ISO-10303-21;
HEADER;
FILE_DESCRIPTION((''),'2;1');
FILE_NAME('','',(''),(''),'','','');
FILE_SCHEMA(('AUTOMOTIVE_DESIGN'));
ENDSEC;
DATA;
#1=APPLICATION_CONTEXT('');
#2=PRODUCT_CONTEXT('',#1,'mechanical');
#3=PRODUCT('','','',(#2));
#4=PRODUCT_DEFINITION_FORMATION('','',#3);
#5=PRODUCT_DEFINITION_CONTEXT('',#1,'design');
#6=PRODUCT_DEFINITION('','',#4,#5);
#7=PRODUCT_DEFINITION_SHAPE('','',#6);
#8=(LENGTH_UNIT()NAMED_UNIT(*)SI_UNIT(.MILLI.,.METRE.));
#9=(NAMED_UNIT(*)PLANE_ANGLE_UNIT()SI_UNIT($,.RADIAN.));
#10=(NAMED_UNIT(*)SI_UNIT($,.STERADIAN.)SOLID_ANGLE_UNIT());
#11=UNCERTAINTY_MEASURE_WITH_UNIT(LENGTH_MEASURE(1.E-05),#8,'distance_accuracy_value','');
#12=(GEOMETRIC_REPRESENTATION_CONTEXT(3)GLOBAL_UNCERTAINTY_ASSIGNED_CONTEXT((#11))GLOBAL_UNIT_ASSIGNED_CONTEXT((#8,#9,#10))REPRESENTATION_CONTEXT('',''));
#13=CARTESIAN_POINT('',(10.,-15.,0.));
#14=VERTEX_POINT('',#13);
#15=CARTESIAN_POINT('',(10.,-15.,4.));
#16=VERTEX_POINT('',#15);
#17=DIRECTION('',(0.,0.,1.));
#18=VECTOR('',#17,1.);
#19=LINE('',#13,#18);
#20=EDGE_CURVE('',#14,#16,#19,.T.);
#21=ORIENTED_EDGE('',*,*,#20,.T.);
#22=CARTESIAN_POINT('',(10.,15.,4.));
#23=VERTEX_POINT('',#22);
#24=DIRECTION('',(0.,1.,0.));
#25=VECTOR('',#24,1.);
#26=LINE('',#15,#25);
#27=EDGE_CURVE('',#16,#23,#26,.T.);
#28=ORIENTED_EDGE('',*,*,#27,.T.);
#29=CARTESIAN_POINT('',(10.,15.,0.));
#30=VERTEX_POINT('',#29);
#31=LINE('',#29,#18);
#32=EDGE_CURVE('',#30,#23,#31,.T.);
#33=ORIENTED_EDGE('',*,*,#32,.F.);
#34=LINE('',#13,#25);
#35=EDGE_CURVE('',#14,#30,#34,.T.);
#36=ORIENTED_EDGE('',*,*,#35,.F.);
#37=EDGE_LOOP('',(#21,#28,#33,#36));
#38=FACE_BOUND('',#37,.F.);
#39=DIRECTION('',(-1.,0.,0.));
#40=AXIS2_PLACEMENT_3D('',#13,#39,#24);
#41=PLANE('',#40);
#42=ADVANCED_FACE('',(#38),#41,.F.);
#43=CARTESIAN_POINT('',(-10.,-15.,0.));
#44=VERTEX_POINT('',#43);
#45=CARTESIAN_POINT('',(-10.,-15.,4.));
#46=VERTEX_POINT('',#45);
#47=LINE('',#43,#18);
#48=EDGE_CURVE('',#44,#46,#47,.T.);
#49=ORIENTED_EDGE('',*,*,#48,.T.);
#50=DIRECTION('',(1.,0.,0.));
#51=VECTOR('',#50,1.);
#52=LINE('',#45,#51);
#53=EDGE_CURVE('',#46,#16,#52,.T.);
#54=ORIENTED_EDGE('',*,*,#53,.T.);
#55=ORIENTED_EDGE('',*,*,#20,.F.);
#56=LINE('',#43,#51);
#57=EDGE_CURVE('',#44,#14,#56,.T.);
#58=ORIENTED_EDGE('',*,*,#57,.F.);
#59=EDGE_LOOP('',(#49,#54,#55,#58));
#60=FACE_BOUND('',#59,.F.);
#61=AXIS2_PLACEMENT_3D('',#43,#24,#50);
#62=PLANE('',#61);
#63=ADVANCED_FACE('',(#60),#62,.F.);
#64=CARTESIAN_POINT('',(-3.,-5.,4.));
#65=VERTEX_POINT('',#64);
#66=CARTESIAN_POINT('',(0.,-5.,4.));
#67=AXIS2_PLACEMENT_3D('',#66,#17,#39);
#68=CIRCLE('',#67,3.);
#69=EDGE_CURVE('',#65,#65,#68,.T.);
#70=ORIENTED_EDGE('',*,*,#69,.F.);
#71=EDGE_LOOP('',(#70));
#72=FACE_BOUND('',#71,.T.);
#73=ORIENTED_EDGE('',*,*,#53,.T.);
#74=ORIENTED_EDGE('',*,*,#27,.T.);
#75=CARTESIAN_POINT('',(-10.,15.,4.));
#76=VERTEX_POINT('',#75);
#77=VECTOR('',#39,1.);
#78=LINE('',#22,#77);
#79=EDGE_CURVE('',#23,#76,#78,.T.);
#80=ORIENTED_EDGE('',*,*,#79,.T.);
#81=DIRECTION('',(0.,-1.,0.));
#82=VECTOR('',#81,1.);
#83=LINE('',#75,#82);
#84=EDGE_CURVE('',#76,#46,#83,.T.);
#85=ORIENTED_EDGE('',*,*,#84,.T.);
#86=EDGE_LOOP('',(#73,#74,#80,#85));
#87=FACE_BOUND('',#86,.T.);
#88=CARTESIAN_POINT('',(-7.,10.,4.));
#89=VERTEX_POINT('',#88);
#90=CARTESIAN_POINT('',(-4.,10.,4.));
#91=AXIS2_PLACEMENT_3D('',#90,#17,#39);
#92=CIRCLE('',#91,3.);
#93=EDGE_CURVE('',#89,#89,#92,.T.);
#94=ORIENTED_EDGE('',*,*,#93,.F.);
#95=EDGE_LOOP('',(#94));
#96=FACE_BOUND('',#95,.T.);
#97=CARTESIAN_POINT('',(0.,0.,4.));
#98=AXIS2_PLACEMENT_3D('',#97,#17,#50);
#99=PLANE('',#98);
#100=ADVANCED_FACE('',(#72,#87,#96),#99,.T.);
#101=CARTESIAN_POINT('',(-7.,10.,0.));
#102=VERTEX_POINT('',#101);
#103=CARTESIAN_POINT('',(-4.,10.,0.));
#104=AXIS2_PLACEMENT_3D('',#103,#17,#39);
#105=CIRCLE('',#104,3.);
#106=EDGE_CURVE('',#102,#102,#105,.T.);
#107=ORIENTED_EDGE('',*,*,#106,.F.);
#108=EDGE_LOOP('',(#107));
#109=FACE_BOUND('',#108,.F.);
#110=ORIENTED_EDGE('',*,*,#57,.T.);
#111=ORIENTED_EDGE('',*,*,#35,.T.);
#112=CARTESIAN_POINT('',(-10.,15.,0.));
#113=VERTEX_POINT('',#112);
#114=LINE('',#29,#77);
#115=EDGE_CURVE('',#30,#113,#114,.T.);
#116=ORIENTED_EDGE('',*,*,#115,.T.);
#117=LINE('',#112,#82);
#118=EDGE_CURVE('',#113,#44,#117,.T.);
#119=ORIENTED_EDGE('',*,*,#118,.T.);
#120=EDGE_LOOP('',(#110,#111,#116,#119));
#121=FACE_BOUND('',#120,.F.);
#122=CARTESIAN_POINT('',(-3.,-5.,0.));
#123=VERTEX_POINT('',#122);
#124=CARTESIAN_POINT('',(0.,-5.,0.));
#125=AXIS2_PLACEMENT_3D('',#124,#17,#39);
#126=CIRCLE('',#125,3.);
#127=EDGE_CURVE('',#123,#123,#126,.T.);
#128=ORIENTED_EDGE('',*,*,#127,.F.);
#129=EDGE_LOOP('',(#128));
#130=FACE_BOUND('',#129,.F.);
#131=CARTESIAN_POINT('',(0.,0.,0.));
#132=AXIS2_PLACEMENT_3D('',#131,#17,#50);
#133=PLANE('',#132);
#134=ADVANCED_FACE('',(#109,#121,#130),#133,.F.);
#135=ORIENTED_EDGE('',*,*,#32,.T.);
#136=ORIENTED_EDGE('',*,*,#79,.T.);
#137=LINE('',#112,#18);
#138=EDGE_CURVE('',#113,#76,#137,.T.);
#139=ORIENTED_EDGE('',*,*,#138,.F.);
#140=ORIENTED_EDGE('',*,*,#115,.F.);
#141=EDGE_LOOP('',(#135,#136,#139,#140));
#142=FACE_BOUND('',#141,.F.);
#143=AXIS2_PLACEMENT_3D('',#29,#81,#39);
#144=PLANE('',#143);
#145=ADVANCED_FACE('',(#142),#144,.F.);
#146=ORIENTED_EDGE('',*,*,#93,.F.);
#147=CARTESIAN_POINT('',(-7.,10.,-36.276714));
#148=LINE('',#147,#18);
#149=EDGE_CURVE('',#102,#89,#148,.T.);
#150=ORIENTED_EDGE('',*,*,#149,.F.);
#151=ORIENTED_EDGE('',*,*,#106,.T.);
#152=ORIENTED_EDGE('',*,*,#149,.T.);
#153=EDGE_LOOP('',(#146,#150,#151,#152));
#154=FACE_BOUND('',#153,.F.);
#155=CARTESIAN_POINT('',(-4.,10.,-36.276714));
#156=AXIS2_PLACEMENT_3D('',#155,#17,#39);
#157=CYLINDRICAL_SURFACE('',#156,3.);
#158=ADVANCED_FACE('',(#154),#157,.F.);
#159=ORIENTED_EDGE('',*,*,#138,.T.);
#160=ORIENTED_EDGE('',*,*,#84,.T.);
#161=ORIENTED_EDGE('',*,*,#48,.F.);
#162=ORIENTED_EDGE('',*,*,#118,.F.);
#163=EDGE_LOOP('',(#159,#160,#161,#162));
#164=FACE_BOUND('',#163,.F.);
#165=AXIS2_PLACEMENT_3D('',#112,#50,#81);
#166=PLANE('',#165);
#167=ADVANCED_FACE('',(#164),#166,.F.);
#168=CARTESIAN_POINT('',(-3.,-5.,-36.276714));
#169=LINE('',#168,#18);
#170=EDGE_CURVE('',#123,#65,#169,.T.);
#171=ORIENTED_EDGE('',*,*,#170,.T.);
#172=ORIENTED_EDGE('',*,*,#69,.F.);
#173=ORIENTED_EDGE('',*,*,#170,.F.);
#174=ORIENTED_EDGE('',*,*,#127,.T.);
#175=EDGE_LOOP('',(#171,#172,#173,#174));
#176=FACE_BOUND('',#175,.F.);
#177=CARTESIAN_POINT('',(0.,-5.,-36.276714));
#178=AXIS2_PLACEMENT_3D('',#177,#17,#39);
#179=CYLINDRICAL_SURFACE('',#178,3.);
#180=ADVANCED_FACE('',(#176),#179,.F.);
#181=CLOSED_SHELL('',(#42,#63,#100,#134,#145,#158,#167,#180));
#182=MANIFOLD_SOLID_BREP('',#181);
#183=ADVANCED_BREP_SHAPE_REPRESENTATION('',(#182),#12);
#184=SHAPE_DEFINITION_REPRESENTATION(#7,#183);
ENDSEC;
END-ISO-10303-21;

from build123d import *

# Parameters (mm, degrees)
F1_DEPTH = 4
F2_D     = 6
F3_D     = 6


with BuildPart() as f1:
    # F0 (on Top) → F1 (new body)
    with BuildSketch(Plane.XY):
        Polygon((10, 15), (-10, 15), (-10, -15), (0, -15), (10, -15), align=None)
    extrude(amount=F1_DEPTH)

    # F2 (through all)
    with Locations(Plane(origin=(0, 0, 0), x_dir=(1, 0, 0), z_dir=(0, 0, -1))):
        with Locations((-4, -10)):
            Hole(F2_D / 2)

    # F3 (through all)
    with Locations(Plane(origin=(0, 0, 0), x_dir=(1, 0, 0), z_dir=(0, 0, -1))):
        with Locations((0, 5)):
            Hole(F3_D / 2)


solid = f1.part
